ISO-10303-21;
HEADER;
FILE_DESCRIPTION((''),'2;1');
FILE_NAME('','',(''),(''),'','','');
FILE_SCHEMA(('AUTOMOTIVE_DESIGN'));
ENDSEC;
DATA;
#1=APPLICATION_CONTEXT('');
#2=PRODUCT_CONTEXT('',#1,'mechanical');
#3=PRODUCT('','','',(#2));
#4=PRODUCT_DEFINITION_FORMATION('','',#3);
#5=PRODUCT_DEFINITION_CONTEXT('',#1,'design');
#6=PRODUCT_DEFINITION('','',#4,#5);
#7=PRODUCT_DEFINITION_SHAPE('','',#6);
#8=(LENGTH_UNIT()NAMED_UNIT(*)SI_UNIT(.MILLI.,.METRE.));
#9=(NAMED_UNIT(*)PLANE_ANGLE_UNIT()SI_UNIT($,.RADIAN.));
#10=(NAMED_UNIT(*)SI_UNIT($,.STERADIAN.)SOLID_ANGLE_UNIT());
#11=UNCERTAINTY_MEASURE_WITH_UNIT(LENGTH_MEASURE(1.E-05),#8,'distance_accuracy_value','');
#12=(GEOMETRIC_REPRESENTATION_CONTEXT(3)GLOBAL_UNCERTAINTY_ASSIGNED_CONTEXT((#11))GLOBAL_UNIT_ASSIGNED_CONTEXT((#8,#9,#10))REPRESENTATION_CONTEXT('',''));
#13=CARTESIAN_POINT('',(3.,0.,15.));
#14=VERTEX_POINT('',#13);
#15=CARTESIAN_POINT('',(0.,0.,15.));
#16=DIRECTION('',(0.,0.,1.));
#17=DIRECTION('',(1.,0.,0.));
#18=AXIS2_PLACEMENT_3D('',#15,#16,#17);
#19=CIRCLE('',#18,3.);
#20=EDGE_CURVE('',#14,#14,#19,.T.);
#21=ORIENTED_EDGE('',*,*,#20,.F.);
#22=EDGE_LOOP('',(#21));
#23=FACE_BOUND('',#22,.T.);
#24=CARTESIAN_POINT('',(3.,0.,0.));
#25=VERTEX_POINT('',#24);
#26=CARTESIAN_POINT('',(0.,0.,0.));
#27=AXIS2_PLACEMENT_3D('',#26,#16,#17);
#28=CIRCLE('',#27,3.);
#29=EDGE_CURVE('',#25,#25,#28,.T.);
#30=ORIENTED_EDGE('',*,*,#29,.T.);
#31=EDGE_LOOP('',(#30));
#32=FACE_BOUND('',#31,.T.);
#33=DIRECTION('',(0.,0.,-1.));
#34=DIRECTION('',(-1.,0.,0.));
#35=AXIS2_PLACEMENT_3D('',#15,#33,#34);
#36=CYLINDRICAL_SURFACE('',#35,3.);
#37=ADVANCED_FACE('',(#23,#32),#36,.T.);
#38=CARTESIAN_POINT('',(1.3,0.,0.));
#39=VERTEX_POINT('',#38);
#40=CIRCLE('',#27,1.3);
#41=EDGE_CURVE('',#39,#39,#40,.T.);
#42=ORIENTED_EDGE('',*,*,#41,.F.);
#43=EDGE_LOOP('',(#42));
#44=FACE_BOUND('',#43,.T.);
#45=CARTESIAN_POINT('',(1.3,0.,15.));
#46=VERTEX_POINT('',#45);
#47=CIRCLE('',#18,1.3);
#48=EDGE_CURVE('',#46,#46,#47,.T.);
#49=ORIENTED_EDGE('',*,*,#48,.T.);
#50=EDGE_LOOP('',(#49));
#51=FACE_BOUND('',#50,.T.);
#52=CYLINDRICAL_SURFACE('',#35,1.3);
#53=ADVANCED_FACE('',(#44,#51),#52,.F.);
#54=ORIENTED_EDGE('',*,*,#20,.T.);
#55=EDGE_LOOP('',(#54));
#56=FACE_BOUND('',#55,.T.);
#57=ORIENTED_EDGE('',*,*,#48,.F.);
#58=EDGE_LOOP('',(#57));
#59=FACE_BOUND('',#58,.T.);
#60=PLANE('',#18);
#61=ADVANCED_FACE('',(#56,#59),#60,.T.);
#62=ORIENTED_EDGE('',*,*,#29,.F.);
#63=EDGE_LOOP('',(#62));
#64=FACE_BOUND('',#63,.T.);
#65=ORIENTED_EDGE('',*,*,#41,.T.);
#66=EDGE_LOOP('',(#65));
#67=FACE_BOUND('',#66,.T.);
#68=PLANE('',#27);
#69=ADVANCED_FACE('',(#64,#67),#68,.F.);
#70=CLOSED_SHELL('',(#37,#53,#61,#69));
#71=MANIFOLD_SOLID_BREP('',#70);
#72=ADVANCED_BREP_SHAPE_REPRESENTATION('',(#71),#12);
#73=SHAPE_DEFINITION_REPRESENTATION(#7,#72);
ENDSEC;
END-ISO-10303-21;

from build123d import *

# Parameters (mm, degrees)
SKETCH_1_R      = 3
SKETCH_1_R_2    = 1.3
EXTRUDE_1_DEPTH = 15


with BuildPart() as part:
    # ｽｹｯﾁ1 → ﾎﾞｽ - 押し出し1 (new body)
    with BuildSketch(Plane.XY):
        Circle(SKETCH_1_R)
        Circle(SKETCH_1_R_2, mode=Mode.SUBTRACT)
    extrude(amount=EXTRUDE_1_DEPTH)


solid = part.part
